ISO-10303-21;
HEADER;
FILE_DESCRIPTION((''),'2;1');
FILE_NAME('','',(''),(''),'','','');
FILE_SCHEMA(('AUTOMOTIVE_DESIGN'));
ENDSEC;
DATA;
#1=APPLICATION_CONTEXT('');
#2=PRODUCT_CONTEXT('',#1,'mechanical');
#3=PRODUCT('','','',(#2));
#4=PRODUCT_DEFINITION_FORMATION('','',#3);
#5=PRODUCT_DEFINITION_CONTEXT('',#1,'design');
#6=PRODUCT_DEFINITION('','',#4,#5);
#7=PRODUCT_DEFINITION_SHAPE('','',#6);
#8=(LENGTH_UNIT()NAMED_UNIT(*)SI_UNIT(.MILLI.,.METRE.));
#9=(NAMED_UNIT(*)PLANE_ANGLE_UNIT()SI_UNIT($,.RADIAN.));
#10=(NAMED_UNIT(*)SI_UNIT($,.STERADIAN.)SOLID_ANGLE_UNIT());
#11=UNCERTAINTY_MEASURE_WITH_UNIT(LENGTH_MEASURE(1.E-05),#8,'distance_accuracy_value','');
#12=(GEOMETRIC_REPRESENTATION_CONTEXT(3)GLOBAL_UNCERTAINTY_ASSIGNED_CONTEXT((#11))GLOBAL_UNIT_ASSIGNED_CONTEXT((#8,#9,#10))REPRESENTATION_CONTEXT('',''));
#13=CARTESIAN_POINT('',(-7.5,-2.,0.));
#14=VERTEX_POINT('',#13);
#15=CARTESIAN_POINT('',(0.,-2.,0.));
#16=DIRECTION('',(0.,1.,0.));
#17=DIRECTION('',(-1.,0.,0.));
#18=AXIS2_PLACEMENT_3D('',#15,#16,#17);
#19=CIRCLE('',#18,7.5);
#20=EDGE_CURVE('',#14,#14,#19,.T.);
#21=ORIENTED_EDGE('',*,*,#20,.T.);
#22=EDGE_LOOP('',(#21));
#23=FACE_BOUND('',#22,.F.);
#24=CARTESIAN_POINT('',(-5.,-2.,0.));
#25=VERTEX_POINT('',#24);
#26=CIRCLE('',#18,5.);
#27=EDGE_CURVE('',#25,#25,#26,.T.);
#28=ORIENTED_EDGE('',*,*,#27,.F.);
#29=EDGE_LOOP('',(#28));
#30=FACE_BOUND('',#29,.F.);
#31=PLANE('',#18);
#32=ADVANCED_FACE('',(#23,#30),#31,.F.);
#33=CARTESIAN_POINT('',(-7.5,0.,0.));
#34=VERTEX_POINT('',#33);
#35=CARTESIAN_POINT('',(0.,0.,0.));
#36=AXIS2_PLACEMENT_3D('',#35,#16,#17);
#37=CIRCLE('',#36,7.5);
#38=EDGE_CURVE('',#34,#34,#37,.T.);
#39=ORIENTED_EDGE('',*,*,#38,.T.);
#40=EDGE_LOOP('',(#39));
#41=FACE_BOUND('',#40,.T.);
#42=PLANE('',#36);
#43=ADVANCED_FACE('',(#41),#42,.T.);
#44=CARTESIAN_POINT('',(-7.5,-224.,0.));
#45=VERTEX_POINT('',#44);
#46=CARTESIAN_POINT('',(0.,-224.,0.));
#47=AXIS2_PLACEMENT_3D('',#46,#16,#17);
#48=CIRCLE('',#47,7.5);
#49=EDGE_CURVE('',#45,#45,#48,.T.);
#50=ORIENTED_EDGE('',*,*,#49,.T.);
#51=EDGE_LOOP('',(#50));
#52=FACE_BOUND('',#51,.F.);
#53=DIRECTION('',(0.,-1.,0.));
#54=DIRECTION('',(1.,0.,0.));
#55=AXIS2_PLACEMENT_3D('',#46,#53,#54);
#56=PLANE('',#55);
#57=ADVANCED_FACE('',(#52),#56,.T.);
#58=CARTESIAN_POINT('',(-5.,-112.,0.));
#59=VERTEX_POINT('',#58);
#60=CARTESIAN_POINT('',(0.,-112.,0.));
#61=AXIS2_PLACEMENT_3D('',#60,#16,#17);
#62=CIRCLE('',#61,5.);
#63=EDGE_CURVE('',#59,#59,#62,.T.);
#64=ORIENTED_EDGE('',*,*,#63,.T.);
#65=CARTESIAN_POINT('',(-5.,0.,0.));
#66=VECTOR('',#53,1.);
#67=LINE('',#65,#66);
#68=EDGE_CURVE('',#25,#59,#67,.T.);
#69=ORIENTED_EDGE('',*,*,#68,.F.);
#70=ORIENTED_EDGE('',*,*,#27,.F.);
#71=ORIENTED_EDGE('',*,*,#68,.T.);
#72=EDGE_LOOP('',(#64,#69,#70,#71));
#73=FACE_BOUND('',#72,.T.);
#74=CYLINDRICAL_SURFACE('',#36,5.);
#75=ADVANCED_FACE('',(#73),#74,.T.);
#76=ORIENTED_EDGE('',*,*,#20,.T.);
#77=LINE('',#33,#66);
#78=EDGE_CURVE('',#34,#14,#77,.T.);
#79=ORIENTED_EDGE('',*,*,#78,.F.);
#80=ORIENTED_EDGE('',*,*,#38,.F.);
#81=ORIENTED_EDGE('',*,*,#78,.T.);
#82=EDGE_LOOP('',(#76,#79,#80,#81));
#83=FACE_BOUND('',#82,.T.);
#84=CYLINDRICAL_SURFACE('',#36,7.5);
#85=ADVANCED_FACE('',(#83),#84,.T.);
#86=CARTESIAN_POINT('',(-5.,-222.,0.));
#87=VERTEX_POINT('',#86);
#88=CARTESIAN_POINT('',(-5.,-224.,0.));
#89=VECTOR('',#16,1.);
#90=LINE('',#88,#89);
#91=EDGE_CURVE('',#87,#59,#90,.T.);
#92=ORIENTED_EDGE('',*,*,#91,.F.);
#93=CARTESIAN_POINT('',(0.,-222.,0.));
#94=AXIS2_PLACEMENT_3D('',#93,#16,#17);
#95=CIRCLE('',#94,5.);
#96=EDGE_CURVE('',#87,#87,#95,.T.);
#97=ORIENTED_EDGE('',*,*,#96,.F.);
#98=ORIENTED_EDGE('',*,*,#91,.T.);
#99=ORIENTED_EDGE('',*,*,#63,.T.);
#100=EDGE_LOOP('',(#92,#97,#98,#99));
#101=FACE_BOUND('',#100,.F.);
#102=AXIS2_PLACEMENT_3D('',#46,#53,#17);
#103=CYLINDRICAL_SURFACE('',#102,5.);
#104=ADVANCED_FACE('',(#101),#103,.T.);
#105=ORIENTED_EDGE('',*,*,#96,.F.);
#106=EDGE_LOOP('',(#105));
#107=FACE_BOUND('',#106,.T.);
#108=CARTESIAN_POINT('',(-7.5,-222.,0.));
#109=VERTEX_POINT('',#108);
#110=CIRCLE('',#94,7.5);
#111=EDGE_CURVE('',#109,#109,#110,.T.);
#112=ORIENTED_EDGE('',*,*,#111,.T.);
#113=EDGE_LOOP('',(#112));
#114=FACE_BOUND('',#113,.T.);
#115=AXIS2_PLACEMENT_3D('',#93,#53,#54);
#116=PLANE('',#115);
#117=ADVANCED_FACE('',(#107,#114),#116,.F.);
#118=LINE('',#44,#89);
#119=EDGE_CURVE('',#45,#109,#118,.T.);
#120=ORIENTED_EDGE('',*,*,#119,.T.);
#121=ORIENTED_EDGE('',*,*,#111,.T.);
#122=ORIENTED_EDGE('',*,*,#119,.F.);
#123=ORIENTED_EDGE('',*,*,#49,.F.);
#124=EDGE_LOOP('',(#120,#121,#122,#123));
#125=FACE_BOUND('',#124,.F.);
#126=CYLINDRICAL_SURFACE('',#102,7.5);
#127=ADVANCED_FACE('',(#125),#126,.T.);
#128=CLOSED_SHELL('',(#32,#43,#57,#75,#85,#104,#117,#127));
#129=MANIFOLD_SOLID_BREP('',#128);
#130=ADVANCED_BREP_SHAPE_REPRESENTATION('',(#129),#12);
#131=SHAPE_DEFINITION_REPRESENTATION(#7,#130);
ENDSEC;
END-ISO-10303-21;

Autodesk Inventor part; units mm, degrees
ref_plane "YZ Plane" through (0, 0, 0) normal (1, 0, 0) x (0, 1, 0)
ref_plane "XZ Plane" through (0, 0, 0) normal (0, 1, 0) x (-1, 0, 0)
ref_plane "XY Plane" through (0, 0, 0) normal (0, 0, 1) x (1, 0, 0)
sketch "Sketch1" plane through (0, 0, 0) normal (0, 1, 0) x (-1, 0, 0)
  circle A0 centre (0, 0) radius 5
  circle A1 centre (0, 0) radius 7.5
  dimension "d0" = 10
  dimension "d1" = 15
extrude "Extrusion1" add sketch "Sketch1" against normal blind 2
extrude "Extrusion2" add sketch "Sketch1" against normal blind 112 contours A0
mirror "Mirror1" about plane through (0, -112, 0) normal (0, -1, 0) of "Extrusion2", "Extrusion1"
